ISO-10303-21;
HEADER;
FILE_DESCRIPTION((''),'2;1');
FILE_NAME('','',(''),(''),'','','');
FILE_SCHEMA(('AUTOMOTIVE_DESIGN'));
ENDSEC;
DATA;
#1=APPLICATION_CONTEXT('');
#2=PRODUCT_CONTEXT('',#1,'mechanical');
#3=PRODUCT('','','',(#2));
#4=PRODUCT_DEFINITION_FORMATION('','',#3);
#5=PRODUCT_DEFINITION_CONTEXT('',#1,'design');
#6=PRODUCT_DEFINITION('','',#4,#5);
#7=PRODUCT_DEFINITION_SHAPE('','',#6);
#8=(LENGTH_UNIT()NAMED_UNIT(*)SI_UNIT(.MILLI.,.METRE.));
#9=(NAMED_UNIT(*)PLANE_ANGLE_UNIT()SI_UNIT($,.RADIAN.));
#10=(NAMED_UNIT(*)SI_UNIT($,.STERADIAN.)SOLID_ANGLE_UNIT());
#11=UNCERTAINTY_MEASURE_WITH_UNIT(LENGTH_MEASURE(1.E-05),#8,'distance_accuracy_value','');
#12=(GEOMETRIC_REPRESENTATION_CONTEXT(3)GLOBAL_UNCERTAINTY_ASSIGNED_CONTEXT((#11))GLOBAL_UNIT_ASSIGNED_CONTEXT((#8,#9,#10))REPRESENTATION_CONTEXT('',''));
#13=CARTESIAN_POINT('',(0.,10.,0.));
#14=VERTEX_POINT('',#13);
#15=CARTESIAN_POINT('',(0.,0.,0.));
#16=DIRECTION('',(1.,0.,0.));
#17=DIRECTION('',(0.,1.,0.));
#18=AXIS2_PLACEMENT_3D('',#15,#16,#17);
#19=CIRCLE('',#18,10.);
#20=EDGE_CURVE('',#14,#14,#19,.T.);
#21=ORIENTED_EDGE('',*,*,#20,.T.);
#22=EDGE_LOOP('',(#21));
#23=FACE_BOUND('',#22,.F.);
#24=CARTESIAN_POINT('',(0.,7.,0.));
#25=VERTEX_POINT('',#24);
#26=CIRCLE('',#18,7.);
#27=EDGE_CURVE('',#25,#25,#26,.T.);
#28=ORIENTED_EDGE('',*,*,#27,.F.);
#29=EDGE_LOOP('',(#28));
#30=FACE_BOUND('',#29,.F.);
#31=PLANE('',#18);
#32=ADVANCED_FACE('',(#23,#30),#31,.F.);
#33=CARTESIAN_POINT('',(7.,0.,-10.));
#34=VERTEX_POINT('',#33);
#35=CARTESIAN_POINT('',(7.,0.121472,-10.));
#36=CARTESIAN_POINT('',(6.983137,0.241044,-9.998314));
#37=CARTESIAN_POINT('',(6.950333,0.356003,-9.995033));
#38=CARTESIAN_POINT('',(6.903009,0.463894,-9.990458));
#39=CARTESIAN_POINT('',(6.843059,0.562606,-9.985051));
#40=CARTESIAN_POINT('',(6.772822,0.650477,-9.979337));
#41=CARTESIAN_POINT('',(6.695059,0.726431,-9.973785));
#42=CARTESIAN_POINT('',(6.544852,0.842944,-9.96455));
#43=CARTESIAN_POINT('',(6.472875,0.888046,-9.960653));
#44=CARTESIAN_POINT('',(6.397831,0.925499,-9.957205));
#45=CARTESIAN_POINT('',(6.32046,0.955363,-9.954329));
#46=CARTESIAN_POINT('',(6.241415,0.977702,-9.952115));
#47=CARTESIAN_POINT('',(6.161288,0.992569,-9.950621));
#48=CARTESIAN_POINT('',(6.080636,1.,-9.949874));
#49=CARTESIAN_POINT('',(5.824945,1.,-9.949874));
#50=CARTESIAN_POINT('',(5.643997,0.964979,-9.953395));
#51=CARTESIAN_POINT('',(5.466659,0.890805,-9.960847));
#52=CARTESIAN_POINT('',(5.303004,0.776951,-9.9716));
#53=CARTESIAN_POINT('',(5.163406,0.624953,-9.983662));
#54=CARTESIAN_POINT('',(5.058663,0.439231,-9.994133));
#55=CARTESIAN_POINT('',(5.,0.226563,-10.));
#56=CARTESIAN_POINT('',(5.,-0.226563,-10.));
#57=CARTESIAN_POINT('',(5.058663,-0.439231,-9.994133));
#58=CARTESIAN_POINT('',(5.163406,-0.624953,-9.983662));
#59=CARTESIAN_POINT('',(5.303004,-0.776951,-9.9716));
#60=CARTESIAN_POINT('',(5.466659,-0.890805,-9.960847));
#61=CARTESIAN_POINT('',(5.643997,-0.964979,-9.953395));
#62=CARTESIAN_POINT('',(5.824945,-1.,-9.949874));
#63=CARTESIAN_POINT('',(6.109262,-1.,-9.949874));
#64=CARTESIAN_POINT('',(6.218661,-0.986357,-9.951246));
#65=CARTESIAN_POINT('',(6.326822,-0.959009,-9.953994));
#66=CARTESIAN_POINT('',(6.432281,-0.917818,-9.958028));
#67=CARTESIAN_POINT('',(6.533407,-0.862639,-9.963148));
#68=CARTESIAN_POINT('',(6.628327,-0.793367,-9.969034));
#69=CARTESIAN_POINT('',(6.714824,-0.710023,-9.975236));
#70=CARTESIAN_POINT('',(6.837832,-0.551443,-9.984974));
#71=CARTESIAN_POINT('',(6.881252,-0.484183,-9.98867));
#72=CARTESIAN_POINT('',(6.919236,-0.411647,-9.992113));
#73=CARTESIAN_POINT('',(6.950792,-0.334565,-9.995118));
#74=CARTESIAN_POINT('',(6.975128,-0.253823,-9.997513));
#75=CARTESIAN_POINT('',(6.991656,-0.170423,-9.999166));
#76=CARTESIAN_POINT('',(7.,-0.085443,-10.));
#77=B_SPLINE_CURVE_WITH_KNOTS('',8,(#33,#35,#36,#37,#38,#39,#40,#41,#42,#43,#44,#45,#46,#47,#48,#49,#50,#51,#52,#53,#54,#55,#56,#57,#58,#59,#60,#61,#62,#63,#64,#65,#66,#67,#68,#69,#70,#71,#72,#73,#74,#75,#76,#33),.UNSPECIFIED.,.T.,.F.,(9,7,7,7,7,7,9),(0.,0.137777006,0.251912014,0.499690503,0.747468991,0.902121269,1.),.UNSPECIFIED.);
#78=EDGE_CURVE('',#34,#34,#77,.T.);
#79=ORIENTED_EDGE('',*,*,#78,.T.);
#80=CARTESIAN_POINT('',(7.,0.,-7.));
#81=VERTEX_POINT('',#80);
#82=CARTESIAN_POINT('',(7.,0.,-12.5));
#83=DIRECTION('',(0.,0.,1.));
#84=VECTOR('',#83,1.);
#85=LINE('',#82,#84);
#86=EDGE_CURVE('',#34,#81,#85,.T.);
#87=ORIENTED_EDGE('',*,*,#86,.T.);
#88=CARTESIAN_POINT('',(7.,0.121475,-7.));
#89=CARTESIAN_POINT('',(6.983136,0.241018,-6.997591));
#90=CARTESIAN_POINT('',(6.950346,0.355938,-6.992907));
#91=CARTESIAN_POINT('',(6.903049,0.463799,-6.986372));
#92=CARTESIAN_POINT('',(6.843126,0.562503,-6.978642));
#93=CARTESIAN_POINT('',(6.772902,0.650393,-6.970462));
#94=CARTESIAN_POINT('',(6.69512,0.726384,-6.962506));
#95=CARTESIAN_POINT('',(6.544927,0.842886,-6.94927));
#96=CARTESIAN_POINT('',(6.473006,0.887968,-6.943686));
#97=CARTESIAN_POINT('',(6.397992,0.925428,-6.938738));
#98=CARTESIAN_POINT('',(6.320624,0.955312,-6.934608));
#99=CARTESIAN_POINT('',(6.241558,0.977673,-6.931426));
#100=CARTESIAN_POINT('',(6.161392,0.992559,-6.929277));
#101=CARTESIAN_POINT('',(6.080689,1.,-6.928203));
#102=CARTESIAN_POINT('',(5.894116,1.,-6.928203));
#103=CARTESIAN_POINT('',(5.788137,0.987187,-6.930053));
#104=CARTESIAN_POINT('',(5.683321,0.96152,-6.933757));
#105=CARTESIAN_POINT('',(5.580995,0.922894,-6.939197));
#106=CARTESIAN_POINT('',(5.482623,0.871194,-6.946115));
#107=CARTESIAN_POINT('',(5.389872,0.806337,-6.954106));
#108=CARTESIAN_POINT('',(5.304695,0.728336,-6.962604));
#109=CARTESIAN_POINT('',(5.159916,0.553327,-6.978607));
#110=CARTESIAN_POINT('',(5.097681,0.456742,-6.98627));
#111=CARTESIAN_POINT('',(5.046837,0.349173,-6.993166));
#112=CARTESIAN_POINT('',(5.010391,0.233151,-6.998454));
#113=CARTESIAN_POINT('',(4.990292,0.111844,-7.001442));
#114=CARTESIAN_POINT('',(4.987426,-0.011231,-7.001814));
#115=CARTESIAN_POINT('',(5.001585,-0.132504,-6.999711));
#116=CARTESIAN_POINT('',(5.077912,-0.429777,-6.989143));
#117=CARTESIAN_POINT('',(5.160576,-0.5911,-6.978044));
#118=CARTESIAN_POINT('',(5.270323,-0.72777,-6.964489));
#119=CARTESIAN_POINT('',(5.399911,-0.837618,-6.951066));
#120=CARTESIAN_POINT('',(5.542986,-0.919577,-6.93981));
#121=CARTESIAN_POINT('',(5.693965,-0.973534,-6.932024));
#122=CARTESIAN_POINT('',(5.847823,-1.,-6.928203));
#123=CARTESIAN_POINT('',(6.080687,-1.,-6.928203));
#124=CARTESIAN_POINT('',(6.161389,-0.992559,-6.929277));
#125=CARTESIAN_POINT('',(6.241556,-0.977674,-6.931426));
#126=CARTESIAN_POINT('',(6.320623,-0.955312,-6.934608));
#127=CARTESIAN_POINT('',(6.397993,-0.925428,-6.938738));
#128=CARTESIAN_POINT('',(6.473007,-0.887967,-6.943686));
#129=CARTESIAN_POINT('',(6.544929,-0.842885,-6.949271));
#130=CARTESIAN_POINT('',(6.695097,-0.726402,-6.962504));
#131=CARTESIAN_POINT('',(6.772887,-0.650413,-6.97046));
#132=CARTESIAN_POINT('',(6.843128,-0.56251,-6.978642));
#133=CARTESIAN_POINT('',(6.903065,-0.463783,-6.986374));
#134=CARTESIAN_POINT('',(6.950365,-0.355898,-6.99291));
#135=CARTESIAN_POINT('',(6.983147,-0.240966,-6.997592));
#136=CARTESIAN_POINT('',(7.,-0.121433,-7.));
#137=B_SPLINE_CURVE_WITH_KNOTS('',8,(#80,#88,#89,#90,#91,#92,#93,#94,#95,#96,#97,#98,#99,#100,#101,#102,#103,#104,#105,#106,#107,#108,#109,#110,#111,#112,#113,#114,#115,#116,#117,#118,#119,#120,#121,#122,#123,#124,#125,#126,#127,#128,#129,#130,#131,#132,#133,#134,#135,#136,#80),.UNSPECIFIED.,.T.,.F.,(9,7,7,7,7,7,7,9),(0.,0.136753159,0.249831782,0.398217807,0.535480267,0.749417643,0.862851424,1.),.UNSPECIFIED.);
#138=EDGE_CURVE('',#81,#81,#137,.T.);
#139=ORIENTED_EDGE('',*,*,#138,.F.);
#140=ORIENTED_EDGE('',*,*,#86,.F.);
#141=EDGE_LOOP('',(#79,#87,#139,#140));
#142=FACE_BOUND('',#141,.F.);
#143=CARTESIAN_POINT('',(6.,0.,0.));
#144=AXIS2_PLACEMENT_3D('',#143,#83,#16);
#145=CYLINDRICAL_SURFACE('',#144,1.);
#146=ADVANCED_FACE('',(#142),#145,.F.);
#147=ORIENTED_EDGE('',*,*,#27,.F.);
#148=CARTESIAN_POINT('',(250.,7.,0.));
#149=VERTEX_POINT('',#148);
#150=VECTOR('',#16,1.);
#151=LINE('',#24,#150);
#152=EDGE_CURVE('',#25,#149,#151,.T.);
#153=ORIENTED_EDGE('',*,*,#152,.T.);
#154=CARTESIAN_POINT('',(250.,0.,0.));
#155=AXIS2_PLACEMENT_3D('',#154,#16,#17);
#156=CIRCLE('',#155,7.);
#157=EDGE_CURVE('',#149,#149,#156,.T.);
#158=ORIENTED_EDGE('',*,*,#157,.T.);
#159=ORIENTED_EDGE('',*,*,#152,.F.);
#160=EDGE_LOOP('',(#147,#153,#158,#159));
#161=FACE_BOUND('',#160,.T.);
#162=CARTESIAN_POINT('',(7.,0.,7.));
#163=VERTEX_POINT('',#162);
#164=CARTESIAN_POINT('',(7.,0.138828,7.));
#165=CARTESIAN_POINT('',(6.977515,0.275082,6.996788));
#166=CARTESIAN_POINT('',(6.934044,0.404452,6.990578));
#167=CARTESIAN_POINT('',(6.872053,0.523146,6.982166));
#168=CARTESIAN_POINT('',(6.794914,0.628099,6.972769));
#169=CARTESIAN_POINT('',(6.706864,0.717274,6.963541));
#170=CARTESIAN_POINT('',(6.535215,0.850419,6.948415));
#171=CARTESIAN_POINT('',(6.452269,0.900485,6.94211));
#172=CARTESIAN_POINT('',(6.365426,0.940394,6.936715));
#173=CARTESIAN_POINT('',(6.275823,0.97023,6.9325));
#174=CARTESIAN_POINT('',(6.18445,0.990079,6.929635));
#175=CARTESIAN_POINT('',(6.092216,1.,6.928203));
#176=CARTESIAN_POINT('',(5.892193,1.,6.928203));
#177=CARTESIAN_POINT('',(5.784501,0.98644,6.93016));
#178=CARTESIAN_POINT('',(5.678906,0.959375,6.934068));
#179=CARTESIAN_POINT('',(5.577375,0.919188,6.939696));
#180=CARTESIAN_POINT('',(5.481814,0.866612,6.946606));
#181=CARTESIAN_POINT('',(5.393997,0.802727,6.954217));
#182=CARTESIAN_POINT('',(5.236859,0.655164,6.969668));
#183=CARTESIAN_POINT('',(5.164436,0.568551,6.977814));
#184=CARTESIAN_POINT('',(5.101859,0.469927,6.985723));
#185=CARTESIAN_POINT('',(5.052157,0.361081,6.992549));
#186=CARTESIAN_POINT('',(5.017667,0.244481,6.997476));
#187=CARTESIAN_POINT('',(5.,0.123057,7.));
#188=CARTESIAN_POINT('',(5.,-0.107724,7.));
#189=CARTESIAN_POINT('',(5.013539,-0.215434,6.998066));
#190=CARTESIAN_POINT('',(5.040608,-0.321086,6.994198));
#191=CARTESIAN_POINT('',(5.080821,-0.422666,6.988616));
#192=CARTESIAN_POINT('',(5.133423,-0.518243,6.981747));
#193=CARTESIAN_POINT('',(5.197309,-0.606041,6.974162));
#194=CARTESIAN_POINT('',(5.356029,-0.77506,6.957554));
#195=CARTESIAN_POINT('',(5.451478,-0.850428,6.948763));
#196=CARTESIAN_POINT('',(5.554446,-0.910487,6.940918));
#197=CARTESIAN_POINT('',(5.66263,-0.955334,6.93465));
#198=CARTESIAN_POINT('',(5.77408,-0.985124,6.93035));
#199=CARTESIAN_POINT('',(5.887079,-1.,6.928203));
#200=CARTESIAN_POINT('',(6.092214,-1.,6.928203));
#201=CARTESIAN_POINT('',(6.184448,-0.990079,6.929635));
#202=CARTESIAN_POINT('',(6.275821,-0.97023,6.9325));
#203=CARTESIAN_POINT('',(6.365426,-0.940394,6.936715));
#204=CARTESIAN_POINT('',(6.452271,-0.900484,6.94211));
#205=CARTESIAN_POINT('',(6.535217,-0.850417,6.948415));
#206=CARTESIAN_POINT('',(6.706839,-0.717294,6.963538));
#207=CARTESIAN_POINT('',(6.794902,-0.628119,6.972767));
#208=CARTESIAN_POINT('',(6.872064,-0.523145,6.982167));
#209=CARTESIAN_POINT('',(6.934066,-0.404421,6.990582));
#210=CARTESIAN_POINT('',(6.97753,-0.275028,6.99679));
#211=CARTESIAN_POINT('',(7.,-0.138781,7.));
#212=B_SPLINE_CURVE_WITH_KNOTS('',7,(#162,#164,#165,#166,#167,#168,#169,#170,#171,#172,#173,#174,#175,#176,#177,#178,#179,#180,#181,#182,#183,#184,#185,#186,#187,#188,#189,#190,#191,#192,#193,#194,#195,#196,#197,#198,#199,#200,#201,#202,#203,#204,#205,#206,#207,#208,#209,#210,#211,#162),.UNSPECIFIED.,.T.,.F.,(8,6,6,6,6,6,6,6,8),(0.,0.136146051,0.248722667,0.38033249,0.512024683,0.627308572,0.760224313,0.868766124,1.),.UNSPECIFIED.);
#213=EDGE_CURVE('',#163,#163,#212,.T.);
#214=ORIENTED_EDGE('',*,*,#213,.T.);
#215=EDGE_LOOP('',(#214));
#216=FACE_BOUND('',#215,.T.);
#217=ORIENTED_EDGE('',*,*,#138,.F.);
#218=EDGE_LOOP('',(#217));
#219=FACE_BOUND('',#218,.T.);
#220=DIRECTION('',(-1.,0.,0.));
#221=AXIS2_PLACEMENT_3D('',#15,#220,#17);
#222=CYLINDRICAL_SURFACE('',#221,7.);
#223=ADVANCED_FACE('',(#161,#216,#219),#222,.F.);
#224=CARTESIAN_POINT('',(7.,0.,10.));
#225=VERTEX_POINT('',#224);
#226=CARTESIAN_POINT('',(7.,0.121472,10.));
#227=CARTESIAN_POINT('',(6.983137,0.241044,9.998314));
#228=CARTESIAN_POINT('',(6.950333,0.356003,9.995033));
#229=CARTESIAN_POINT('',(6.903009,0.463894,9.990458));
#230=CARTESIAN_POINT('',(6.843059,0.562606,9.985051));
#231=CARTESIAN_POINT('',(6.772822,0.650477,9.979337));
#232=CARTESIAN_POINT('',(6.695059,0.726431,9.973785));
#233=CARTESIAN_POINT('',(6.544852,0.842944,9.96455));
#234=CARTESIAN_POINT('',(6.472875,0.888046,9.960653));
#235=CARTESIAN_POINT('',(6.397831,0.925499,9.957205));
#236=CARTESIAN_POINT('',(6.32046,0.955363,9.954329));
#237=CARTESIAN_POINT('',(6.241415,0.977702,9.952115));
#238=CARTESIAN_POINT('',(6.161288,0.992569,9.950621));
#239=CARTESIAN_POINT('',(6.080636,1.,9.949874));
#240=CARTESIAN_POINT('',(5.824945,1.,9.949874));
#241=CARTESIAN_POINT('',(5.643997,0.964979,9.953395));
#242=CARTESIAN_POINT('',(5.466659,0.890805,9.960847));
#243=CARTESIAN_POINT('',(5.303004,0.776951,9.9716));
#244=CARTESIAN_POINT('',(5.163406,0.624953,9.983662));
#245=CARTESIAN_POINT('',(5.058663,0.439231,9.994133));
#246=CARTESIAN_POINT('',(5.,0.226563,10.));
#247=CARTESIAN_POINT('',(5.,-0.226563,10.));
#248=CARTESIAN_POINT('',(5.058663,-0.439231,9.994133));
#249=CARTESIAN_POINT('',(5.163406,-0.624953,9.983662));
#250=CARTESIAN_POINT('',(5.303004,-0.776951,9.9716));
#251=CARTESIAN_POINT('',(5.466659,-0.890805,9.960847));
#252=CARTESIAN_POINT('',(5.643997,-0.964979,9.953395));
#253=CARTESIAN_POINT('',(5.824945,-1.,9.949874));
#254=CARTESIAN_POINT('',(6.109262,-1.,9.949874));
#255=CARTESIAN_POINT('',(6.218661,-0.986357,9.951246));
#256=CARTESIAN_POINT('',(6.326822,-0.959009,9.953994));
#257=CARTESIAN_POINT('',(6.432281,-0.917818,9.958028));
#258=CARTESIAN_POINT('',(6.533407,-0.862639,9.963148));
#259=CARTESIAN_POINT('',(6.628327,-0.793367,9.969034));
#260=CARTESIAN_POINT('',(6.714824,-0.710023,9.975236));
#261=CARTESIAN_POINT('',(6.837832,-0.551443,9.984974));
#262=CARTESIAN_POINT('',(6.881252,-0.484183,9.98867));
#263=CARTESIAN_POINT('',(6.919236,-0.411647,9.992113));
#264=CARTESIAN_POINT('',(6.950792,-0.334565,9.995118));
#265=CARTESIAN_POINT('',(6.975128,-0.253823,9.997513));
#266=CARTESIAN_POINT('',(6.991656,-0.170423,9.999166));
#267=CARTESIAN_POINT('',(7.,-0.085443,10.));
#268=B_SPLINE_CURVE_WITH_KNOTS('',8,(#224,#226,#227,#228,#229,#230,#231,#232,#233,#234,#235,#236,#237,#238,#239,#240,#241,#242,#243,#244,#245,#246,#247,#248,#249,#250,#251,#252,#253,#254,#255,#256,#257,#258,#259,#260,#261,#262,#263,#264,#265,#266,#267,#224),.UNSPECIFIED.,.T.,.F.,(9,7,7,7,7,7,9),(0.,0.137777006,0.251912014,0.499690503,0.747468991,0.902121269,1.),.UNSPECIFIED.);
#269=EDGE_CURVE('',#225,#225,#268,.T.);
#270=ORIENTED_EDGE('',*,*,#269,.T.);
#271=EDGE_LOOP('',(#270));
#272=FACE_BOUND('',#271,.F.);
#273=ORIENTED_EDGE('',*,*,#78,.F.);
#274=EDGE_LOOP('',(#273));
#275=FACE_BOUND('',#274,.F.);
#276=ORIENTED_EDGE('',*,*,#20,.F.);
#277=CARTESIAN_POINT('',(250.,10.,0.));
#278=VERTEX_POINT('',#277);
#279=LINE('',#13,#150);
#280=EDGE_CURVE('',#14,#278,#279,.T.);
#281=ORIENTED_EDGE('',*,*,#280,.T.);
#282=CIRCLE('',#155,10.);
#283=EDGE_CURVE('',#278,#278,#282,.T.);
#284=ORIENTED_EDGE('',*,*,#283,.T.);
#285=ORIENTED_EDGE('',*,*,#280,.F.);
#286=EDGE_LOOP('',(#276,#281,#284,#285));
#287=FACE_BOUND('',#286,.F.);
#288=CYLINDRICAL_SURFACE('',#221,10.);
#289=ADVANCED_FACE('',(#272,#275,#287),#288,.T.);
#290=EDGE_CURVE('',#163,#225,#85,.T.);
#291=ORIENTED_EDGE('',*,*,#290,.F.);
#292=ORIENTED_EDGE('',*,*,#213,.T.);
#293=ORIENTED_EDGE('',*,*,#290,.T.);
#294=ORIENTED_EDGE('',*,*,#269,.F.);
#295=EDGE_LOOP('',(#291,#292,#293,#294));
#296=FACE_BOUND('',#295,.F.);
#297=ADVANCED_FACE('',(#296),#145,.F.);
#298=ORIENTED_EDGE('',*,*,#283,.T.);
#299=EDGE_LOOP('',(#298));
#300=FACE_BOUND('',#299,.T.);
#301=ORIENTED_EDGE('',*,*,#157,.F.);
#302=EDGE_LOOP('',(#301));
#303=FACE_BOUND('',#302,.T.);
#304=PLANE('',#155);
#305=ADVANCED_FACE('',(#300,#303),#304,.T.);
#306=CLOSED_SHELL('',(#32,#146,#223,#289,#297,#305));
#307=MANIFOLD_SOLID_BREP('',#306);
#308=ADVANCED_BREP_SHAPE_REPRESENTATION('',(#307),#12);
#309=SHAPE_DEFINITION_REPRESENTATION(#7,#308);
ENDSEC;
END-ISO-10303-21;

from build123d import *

# Parameters (mm, degrees)
F0_R     = 10
F0_R_2   = 7
F1_DEPTH = 250
F2_R     = 1
F3_DEPTH = 12.5


with BuildPart() as f1:
    # F0 (on Right) → F1 (new body)
    with BuildSketch(Plane.YZ):
        Circle(F0_R)
        Circle(F0_R_2, mode=Mode.SUBTRACT)
    extrude(amount=F1_DEPTH)

    # F2 (on Top) → F3 (cut, symmetric)
    with BuildSketch(Plane.XY):
        with Locations((6, 0)):
            Circle(F2_R)
    extrude(amount=F3_DEPTH, both=True, mode=Mode.SUBTRACT)


solid = f1.part
